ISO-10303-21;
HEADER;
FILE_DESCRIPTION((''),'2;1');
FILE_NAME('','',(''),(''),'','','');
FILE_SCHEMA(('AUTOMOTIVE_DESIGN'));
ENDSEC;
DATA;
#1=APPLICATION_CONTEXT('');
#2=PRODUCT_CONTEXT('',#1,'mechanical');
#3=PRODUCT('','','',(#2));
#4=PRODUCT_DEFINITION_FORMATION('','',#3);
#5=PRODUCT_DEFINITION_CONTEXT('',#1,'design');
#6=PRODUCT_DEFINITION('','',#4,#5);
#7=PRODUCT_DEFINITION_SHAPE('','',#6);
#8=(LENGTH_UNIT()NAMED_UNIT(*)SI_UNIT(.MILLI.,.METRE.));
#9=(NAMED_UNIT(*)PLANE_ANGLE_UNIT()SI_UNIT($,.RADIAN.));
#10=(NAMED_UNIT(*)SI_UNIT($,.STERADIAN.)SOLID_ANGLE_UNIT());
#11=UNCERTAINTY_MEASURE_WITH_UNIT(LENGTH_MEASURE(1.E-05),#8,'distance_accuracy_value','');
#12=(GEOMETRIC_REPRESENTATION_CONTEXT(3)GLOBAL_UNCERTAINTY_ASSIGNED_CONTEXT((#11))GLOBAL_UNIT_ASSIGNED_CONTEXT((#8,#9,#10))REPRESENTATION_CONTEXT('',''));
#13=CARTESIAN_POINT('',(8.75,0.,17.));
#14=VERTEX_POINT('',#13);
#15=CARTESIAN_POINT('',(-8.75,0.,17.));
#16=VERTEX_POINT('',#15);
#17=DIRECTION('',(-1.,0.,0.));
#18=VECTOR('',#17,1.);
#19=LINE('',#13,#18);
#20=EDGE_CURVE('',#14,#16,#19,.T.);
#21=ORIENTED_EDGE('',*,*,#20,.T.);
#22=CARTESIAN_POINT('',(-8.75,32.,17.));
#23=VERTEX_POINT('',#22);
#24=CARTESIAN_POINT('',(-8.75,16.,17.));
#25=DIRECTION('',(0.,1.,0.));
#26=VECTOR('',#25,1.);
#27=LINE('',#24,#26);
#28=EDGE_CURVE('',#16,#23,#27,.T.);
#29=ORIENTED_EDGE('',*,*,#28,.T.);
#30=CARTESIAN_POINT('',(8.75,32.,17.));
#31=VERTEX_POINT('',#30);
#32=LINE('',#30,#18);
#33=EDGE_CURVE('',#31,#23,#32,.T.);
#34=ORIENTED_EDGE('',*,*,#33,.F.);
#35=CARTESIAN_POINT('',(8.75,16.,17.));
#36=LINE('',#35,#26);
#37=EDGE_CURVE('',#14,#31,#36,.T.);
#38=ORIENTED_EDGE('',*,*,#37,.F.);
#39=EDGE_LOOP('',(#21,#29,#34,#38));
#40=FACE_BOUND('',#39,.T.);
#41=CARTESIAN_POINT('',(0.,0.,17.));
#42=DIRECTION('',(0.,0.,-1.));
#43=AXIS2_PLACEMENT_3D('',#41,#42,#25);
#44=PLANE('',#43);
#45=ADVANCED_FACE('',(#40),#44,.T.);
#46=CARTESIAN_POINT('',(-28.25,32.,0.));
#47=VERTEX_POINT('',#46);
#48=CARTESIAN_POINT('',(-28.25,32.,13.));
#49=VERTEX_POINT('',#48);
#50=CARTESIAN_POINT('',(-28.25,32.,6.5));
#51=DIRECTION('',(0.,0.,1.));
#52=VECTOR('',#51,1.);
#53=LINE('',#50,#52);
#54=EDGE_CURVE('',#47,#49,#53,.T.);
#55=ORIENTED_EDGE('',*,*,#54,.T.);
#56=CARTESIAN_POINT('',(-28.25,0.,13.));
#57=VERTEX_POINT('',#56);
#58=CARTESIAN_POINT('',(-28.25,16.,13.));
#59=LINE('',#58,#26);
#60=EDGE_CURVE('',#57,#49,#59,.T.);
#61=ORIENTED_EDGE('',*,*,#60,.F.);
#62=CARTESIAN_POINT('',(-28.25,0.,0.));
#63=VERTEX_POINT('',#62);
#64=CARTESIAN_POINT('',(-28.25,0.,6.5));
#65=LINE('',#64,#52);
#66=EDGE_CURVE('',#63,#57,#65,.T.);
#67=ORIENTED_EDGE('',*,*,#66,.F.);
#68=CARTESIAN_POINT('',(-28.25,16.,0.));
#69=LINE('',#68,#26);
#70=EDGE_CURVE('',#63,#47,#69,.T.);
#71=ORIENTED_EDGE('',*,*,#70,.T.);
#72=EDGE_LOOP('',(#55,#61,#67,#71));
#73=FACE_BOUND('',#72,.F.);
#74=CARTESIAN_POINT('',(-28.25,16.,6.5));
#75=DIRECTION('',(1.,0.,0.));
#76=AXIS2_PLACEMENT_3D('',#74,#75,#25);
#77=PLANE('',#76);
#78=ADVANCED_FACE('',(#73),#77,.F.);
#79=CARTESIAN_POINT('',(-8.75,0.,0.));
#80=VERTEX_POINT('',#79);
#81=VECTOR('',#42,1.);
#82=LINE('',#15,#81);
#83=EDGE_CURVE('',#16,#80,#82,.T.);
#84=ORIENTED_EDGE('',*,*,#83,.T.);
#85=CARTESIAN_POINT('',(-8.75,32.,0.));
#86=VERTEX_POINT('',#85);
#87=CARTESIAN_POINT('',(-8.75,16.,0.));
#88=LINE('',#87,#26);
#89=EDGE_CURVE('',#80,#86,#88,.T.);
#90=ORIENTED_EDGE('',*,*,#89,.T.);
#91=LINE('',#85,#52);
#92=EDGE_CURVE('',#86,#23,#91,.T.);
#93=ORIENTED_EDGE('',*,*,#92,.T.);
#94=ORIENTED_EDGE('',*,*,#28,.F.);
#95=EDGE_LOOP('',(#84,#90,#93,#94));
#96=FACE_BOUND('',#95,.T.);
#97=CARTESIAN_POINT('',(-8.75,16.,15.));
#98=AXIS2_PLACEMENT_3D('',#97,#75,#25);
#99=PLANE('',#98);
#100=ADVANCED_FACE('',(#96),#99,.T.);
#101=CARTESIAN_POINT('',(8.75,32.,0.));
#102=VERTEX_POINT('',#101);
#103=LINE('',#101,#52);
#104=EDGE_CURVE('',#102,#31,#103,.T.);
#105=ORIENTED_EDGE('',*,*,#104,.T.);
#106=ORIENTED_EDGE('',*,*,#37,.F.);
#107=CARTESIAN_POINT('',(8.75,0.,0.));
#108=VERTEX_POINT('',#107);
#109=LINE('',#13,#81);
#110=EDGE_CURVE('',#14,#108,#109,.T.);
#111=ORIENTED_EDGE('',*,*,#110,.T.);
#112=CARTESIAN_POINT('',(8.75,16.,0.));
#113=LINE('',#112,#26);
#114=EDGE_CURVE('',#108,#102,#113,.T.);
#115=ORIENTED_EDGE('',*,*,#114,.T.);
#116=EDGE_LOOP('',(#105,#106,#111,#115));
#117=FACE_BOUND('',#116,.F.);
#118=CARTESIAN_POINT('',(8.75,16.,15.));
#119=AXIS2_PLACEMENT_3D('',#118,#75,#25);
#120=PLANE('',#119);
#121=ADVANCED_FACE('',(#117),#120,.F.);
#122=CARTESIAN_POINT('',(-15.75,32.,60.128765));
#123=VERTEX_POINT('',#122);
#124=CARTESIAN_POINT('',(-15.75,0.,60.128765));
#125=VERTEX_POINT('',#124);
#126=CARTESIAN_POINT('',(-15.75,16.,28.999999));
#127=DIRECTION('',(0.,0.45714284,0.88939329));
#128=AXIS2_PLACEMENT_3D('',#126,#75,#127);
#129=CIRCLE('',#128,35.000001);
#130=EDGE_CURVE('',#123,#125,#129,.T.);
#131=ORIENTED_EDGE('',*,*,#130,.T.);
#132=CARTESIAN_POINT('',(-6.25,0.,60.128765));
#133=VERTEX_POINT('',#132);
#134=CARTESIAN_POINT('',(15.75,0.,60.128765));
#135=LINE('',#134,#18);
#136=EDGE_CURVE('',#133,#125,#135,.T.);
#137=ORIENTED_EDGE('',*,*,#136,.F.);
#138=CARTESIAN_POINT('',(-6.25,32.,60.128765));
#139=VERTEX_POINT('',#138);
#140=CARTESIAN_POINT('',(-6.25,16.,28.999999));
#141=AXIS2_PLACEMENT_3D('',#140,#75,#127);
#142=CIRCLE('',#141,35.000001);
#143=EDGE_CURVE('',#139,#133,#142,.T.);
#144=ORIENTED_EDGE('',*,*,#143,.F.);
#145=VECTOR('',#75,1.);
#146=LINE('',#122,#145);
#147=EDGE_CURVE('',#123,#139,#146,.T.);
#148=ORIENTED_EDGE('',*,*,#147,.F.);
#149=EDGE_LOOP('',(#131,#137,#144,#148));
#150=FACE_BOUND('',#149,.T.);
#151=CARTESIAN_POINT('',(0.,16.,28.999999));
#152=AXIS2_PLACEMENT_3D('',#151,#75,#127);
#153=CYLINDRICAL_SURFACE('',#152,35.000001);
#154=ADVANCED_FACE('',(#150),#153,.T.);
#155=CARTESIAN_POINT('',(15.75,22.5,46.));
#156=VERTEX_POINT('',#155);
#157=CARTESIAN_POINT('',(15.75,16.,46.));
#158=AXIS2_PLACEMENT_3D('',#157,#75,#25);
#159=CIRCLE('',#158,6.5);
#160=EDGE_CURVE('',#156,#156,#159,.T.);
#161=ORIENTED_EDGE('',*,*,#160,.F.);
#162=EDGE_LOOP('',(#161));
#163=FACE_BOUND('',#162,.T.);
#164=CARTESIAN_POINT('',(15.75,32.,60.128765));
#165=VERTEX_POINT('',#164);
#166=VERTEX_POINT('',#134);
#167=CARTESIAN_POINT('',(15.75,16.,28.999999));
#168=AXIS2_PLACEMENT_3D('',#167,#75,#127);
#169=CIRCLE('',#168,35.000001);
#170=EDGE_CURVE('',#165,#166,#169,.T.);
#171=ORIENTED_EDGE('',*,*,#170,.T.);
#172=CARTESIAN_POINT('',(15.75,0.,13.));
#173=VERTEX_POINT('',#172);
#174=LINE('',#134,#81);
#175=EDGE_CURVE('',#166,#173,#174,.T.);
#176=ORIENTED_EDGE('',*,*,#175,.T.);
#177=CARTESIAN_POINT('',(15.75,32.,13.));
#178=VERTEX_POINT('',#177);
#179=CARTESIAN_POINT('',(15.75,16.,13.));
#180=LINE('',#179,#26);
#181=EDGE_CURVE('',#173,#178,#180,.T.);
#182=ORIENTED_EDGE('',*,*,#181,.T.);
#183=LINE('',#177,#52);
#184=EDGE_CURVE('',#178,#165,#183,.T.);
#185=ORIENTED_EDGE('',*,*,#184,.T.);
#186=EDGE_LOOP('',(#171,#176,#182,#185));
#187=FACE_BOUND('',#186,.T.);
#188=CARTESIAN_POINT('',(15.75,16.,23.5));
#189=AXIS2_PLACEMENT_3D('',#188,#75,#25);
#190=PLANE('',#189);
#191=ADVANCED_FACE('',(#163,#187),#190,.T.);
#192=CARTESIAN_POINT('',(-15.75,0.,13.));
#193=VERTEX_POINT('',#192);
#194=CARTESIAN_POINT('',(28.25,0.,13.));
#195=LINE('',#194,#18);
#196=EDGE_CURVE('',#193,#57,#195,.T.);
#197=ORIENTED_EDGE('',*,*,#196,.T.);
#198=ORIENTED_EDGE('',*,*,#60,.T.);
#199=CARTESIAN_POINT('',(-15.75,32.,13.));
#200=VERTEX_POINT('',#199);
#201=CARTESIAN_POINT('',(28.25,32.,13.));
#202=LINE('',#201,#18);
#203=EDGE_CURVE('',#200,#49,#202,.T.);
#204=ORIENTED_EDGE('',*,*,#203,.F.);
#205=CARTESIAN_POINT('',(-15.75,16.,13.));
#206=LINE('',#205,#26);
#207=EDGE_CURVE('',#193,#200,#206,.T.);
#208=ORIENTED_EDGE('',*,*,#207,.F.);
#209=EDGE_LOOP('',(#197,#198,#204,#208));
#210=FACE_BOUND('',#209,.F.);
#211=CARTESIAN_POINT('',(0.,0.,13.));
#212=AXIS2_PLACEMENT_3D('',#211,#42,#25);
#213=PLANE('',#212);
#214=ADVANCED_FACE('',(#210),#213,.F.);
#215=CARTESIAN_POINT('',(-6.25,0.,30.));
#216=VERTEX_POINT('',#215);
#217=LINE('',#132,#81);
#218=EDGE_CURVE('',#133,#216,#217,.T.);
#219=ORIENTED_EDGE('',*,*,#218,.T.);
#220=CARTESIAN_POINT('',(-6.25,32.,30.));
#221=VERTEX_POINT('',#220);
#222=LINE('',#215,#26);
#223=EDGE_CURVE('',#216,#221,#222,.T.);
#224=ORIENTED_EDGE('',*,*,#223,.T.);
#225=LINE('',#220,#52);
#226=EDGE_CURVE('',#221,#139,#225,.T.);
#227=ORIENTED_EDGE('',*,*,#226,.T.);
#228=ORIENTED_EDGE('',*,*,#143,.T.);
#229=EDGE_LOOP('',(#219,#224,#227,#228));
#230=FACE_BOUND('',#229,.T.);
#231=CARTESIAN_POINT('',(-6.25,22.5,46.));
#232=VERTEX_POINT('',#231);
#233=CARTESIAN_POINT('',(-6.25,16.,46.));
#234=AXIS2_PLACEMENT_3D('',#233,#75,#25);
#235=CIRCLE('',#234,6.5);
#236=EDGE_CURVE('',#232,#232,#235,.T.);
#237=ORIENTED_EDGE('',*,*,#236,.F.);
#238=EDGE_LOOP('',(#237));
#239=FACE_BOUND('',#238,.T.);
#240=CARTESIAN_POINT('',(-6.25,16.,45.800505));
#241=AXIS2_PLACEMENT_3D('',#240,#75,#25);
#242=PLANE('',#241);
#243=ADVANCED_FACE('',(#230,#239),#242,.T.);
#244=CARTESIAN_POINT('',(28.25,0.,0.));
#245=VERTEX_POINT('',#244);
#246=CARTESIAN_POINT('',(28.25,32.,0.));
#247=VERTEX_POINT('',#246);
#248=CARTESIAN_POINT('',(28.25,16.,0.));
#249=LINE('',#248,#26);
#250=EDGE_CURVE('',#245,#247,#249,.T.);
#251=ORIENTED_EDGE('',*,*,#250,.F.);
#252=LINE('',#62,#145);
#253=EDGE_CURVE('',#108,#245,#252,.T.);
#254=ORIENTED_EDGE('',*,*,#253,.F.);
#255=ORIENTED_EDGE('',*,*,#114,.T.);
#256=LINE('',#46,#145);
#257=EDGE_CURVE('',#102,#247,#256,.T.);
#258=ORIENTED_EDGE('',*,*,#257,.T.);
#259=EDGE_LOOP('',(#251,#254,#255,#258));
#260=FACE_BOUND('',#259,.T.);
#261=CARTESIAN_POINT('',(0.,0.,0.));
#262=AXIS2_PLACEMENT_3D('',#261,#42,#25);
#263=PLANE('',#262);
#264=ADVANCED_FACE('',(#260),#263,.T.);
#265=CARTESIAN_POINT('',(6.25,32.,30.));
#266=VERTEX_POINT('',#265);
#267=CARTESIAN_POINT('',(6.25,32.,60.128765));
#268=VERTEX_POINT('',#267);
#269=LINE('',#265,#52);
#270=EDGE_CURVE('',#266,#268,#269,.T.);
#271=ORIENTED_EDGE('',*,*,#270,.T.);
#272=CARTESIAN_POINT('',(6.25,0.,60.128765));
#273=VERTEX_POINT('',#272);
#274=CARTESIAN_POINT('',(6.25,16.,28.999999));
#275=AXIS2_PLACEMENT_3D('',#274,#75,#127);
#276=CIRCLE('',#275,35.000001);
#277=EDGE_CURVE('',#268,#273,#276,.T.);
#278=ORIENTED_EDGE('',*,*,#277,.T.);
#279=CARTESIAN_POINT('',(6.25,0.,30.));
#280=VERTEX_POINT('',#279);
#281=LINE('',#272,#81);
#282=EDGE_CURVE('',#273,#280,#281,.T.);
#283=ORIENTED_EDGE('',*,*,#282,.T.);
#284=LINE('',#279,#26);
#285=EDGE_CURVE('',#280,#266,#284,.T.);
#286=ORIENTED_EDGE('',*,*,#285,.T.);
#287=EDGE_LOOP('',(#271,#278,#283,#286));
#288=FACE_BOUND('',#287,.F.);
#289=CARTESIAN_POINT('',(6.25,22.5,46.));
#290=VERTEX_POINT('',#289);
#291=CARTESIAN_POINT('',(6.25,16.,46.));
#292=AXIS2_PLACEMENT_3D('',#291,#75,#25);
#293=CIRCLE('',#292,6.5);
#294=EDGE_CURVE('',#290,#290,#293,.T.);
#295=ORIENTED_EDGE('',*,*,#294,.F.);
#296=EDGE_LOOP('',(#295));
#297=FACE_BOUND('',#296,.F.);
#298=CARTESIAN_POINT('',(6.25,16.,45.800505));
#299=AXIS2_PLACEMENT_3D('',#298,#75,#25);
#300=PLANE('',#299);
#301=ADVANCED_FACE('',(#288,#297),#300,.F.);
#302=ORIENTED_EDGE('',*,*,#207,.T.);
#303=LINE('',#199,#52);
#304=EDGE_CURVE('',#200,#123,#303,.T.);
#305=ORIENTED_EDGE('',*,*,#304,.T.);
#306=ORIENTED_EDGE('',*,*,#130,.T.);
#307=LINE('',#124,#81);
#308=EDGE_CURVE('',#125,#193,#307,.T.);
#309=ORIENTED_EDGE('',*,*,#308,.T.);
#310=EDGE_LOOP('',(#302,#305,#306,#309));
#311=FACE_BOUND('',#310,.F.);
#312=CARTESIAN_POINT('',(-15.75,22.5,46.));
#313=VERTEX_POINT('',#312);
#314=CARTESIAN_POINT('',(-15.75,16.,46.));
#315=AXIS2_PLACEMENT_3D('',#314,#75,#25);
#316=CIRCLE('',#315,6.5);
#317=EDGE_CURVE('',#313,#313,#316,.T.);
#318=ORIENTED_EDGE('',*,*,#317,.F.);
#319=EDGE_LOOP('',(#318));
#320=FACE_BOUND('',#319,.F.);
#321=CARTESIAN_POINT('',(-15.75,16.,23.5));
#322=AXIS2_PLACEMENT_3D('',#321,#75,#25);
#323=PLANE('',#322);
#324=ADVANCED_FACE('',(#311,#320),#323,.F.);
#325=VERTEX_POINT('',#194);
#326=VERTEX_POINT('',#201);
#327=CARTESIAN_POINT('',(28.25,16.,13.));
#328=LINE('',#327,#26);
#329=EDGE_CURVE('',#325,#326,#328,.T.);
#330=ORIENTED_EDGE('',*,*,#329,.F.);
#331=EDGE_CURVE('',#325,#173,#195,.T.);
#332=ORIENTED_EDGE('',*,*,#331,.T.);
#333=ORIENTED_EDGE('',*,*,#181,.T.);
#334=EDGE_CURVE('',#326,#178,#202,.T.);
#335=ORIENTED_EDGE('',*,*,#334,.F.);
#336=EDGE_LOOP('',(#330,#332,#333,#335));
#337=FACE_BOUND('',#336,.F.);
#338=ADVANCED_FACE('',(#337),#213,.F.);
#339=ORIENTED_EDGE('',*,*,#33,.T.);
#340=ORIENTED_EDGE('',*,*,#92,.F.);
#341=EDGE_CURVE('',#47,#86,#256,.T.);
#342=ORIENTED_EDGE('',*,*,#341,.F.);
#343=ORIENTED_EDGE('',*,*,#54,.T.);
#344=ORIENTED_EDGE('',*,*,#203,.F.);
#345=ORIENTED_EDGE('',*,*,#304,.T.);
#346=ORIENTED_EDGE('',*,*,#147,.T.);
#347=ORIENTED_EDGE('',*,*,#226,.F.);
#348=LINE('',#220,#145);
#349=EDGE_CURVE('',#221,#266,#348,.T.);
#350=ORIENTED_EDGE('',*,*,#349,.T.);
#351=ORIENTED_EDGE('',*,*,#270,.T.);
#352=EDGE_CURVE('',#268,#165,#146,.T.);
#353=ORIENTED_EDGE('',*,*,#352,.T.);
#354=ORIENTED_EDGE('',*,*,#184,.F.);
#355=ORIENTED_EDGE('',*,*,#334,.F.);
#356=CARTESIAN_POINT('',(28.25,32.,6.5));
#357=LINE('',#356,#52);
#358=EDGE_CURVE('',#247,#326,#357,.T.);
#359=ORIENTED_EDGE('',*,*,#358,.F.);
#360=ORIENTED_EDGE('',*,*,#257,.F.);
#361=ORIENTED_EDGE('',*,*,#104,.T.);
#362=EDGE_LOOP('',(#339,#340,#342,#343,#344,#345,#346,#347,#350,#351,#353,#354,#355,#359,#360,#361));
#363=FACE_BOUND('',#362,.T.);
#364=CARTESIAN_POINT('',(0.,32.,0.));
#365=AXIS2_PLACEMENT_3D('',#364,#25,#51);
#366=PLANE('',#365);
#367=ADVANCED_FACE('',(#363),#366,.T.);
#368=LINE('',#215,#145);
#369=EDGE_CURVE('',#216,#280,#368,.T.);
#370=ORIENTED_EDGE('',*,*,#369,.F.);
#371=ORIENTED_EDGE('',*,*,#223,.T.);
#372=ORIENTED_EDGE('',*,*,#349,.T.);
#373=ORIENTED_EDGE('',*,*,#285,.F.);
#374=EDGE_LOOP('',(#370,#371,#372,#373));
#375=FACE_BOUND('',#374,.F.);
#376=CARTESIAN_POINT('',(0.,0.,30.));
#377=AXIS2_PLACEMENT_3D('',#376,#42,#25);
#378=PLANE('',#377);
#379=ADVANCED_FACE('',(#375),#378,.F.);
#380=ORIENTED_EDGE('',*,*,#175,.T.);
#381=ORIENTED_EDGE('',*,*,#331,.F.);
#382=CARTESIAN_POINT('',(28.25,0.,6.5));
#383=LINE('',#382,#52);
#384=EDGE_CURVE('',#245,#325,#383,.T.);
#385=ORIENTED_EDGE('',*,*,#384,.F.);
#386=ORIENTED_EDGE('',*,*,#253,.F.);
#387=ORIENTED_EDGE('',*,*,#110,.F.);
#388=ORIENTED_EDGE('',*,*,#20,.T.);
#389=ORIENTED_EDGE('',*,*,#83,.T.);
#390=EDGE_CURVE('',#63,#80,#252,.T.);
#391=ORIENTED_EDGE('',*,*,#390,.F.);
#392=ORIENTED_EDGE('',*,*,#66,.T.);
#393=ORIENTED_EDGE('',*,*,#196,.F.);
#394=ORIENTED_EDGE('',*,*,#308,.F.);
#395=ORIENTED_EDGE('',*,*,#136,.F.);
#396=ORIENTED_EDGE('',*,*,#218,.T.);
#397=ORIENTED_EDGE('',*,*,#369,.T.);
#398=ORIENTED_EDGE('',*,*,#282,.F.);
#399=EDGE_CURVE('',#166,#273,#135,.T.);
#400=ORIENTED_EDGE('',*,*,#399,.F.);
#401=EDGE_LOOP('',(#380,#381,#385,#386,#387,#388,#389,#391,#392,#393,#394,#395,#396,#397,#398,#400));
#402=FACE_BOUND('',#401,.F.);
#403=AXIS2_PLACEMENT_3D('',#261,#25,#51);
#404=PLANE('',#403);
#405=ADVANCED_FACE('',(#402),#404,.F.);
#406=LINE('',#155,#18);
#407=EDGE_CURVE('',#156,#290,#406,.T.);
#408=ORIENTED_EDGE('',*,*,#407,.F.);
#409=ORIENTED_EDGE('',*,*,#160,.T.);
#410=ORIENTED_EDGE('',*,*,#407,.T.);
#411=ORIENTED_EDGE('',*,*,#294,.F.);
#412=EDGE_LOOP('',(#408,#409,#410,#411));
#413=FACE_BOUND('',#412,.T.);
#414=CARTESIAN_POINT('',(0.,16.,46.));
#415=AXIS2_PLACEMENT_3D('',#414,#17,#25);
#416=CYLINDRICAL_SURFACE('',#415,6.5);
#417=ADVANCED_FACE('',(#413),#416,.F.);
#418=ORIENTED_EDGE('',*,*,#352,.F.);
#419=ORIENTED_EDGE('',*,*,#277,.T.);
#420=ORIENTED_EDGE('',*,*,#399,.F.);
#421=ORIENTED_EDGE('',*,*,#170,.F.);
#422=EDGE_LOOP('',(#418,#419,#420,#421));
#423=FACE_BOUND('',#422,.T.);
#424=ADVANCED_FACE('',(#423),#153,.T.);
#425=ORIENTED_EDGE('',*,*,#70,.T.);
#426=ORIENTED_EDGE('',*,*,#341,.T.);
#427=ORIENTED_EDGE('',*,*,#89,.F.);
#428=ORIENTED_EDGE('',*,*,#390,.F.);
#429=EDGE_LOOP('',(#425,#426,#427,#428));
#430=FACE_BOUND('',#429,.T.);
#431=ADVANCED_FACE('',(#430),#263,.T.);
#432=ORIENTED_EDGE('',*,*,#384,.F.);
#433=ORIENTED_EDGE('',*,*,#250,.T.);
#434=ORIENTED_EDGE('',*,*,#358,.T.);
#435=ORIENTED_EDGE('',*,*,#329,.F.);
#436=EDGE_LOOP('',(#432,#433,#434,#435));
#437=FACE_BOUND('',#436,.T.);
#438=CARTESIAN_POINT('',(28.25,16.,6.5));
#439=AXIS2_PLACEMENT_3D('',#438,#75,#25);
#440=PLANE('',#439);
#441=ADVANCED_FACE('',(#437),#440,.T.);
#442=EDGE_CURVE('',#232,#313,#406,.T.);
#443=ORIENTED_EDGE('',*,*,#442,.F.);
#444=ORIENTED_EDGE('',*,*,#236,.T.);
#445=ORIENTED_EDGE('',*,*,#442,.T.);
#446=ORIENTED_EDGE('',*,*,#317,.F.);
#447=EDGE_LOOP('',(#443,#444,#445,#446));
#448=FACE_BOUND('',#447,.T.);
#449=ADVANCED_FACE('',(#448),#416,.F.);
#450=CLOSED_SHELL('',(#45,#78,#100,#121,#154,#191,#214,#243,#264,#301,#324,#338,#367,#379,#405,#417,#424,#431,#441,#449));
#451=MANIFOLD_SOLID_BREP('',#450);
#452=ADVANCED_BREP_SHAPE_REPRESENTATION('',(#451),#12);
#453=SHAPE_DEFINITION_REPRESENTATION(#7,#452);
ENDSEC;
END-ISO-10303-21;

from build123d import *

# Parameters (mm, degrees)
F0_W     = 32
F0_H     = 13
F1_DEPTH = 28.25
F0_H_2   = 4
F0_R     = 6.5
F2_DEPTH = 15.75
F3_DEPTH = 6.25
F4_DEPTH = 8.75
F6_R     = 6.5
F7_DEPTH = 50


with BuildPart() as f1:
    # F0 (on Right) → F1 (new body, symmetric)
    with BuildSketch(Plane.YZ):
        with Locations((16, 6.5)):
            Rectangle(F0_W, F0_H)
    extrude(amount=F1_DEPTH, both=True)

    # F0 (on Right) → F2 (join, symmetric)
    with BuildSketch(Plane.YZ):
        with Locations((16, 23.5)):
            Rectangle(F0_W, F0_H)
        with Locations((16, 15)):
            Rectangle(F0_W, F0_H_2)
        with BuildLine():
            Line((0, 60.128765), (0, 30))
            Line((0, 30), (32, 30))
            Line((32, 30), (32, 60.128765))
            ThreePointArc((32, 60.128765), (16, 64), (0, 60.128765))
        make_face()
        with Locations((16, 46)):
            Circle(F0_R, mode=Mode.SUBTRACT)
    extrude(amount=F2_DEPTH, both=True)

    # F0 (on Right) → F3 (cut, symmetric)
    with BuildSketch(Plane.YZ):
        with BuildLine():
            Line((0, 60.128765), (0, 30))
            Line((0, 30), (32, 30))
            Line((32, 30), (32, 60.128765))
            ThreePointArc((32, 60.128765), (16, 64), (0, 60.128765))
        make_face()
        with Locations((16, 46)):
            Circle(F0_R, mode=Mode.SUBTRACT)
    extrude(amount=F3_DEPTH, both=True, mode=Mode.SUBTRACT)

    # F0 (on Right) → F4 (cut, symmetric)
    with BuildSketch(Plane.YZ):
        with Locations((16, 15)):
            Rectangle(F0_W, F0_H_2)
        with Locations((16, 6.5)):
            Rectangle(F0_W, F0_H)
    extrude(amount=F4_DEPTH, both=True, mode=Mode.SUBTRACT)


with BuildPart() as f7:
    # F6 (on offset) → F7 (new body)
    with BuildSketch(Plane(origin=(40.75, 16, 37.144454), x_dir=(0, 1, 0), z_dir=(1, 0, 0))):
        with Locations((16, 46)):
            Circle(F6_R)
    extrude(amount=F7_DEPTH)


solid = f1.part
